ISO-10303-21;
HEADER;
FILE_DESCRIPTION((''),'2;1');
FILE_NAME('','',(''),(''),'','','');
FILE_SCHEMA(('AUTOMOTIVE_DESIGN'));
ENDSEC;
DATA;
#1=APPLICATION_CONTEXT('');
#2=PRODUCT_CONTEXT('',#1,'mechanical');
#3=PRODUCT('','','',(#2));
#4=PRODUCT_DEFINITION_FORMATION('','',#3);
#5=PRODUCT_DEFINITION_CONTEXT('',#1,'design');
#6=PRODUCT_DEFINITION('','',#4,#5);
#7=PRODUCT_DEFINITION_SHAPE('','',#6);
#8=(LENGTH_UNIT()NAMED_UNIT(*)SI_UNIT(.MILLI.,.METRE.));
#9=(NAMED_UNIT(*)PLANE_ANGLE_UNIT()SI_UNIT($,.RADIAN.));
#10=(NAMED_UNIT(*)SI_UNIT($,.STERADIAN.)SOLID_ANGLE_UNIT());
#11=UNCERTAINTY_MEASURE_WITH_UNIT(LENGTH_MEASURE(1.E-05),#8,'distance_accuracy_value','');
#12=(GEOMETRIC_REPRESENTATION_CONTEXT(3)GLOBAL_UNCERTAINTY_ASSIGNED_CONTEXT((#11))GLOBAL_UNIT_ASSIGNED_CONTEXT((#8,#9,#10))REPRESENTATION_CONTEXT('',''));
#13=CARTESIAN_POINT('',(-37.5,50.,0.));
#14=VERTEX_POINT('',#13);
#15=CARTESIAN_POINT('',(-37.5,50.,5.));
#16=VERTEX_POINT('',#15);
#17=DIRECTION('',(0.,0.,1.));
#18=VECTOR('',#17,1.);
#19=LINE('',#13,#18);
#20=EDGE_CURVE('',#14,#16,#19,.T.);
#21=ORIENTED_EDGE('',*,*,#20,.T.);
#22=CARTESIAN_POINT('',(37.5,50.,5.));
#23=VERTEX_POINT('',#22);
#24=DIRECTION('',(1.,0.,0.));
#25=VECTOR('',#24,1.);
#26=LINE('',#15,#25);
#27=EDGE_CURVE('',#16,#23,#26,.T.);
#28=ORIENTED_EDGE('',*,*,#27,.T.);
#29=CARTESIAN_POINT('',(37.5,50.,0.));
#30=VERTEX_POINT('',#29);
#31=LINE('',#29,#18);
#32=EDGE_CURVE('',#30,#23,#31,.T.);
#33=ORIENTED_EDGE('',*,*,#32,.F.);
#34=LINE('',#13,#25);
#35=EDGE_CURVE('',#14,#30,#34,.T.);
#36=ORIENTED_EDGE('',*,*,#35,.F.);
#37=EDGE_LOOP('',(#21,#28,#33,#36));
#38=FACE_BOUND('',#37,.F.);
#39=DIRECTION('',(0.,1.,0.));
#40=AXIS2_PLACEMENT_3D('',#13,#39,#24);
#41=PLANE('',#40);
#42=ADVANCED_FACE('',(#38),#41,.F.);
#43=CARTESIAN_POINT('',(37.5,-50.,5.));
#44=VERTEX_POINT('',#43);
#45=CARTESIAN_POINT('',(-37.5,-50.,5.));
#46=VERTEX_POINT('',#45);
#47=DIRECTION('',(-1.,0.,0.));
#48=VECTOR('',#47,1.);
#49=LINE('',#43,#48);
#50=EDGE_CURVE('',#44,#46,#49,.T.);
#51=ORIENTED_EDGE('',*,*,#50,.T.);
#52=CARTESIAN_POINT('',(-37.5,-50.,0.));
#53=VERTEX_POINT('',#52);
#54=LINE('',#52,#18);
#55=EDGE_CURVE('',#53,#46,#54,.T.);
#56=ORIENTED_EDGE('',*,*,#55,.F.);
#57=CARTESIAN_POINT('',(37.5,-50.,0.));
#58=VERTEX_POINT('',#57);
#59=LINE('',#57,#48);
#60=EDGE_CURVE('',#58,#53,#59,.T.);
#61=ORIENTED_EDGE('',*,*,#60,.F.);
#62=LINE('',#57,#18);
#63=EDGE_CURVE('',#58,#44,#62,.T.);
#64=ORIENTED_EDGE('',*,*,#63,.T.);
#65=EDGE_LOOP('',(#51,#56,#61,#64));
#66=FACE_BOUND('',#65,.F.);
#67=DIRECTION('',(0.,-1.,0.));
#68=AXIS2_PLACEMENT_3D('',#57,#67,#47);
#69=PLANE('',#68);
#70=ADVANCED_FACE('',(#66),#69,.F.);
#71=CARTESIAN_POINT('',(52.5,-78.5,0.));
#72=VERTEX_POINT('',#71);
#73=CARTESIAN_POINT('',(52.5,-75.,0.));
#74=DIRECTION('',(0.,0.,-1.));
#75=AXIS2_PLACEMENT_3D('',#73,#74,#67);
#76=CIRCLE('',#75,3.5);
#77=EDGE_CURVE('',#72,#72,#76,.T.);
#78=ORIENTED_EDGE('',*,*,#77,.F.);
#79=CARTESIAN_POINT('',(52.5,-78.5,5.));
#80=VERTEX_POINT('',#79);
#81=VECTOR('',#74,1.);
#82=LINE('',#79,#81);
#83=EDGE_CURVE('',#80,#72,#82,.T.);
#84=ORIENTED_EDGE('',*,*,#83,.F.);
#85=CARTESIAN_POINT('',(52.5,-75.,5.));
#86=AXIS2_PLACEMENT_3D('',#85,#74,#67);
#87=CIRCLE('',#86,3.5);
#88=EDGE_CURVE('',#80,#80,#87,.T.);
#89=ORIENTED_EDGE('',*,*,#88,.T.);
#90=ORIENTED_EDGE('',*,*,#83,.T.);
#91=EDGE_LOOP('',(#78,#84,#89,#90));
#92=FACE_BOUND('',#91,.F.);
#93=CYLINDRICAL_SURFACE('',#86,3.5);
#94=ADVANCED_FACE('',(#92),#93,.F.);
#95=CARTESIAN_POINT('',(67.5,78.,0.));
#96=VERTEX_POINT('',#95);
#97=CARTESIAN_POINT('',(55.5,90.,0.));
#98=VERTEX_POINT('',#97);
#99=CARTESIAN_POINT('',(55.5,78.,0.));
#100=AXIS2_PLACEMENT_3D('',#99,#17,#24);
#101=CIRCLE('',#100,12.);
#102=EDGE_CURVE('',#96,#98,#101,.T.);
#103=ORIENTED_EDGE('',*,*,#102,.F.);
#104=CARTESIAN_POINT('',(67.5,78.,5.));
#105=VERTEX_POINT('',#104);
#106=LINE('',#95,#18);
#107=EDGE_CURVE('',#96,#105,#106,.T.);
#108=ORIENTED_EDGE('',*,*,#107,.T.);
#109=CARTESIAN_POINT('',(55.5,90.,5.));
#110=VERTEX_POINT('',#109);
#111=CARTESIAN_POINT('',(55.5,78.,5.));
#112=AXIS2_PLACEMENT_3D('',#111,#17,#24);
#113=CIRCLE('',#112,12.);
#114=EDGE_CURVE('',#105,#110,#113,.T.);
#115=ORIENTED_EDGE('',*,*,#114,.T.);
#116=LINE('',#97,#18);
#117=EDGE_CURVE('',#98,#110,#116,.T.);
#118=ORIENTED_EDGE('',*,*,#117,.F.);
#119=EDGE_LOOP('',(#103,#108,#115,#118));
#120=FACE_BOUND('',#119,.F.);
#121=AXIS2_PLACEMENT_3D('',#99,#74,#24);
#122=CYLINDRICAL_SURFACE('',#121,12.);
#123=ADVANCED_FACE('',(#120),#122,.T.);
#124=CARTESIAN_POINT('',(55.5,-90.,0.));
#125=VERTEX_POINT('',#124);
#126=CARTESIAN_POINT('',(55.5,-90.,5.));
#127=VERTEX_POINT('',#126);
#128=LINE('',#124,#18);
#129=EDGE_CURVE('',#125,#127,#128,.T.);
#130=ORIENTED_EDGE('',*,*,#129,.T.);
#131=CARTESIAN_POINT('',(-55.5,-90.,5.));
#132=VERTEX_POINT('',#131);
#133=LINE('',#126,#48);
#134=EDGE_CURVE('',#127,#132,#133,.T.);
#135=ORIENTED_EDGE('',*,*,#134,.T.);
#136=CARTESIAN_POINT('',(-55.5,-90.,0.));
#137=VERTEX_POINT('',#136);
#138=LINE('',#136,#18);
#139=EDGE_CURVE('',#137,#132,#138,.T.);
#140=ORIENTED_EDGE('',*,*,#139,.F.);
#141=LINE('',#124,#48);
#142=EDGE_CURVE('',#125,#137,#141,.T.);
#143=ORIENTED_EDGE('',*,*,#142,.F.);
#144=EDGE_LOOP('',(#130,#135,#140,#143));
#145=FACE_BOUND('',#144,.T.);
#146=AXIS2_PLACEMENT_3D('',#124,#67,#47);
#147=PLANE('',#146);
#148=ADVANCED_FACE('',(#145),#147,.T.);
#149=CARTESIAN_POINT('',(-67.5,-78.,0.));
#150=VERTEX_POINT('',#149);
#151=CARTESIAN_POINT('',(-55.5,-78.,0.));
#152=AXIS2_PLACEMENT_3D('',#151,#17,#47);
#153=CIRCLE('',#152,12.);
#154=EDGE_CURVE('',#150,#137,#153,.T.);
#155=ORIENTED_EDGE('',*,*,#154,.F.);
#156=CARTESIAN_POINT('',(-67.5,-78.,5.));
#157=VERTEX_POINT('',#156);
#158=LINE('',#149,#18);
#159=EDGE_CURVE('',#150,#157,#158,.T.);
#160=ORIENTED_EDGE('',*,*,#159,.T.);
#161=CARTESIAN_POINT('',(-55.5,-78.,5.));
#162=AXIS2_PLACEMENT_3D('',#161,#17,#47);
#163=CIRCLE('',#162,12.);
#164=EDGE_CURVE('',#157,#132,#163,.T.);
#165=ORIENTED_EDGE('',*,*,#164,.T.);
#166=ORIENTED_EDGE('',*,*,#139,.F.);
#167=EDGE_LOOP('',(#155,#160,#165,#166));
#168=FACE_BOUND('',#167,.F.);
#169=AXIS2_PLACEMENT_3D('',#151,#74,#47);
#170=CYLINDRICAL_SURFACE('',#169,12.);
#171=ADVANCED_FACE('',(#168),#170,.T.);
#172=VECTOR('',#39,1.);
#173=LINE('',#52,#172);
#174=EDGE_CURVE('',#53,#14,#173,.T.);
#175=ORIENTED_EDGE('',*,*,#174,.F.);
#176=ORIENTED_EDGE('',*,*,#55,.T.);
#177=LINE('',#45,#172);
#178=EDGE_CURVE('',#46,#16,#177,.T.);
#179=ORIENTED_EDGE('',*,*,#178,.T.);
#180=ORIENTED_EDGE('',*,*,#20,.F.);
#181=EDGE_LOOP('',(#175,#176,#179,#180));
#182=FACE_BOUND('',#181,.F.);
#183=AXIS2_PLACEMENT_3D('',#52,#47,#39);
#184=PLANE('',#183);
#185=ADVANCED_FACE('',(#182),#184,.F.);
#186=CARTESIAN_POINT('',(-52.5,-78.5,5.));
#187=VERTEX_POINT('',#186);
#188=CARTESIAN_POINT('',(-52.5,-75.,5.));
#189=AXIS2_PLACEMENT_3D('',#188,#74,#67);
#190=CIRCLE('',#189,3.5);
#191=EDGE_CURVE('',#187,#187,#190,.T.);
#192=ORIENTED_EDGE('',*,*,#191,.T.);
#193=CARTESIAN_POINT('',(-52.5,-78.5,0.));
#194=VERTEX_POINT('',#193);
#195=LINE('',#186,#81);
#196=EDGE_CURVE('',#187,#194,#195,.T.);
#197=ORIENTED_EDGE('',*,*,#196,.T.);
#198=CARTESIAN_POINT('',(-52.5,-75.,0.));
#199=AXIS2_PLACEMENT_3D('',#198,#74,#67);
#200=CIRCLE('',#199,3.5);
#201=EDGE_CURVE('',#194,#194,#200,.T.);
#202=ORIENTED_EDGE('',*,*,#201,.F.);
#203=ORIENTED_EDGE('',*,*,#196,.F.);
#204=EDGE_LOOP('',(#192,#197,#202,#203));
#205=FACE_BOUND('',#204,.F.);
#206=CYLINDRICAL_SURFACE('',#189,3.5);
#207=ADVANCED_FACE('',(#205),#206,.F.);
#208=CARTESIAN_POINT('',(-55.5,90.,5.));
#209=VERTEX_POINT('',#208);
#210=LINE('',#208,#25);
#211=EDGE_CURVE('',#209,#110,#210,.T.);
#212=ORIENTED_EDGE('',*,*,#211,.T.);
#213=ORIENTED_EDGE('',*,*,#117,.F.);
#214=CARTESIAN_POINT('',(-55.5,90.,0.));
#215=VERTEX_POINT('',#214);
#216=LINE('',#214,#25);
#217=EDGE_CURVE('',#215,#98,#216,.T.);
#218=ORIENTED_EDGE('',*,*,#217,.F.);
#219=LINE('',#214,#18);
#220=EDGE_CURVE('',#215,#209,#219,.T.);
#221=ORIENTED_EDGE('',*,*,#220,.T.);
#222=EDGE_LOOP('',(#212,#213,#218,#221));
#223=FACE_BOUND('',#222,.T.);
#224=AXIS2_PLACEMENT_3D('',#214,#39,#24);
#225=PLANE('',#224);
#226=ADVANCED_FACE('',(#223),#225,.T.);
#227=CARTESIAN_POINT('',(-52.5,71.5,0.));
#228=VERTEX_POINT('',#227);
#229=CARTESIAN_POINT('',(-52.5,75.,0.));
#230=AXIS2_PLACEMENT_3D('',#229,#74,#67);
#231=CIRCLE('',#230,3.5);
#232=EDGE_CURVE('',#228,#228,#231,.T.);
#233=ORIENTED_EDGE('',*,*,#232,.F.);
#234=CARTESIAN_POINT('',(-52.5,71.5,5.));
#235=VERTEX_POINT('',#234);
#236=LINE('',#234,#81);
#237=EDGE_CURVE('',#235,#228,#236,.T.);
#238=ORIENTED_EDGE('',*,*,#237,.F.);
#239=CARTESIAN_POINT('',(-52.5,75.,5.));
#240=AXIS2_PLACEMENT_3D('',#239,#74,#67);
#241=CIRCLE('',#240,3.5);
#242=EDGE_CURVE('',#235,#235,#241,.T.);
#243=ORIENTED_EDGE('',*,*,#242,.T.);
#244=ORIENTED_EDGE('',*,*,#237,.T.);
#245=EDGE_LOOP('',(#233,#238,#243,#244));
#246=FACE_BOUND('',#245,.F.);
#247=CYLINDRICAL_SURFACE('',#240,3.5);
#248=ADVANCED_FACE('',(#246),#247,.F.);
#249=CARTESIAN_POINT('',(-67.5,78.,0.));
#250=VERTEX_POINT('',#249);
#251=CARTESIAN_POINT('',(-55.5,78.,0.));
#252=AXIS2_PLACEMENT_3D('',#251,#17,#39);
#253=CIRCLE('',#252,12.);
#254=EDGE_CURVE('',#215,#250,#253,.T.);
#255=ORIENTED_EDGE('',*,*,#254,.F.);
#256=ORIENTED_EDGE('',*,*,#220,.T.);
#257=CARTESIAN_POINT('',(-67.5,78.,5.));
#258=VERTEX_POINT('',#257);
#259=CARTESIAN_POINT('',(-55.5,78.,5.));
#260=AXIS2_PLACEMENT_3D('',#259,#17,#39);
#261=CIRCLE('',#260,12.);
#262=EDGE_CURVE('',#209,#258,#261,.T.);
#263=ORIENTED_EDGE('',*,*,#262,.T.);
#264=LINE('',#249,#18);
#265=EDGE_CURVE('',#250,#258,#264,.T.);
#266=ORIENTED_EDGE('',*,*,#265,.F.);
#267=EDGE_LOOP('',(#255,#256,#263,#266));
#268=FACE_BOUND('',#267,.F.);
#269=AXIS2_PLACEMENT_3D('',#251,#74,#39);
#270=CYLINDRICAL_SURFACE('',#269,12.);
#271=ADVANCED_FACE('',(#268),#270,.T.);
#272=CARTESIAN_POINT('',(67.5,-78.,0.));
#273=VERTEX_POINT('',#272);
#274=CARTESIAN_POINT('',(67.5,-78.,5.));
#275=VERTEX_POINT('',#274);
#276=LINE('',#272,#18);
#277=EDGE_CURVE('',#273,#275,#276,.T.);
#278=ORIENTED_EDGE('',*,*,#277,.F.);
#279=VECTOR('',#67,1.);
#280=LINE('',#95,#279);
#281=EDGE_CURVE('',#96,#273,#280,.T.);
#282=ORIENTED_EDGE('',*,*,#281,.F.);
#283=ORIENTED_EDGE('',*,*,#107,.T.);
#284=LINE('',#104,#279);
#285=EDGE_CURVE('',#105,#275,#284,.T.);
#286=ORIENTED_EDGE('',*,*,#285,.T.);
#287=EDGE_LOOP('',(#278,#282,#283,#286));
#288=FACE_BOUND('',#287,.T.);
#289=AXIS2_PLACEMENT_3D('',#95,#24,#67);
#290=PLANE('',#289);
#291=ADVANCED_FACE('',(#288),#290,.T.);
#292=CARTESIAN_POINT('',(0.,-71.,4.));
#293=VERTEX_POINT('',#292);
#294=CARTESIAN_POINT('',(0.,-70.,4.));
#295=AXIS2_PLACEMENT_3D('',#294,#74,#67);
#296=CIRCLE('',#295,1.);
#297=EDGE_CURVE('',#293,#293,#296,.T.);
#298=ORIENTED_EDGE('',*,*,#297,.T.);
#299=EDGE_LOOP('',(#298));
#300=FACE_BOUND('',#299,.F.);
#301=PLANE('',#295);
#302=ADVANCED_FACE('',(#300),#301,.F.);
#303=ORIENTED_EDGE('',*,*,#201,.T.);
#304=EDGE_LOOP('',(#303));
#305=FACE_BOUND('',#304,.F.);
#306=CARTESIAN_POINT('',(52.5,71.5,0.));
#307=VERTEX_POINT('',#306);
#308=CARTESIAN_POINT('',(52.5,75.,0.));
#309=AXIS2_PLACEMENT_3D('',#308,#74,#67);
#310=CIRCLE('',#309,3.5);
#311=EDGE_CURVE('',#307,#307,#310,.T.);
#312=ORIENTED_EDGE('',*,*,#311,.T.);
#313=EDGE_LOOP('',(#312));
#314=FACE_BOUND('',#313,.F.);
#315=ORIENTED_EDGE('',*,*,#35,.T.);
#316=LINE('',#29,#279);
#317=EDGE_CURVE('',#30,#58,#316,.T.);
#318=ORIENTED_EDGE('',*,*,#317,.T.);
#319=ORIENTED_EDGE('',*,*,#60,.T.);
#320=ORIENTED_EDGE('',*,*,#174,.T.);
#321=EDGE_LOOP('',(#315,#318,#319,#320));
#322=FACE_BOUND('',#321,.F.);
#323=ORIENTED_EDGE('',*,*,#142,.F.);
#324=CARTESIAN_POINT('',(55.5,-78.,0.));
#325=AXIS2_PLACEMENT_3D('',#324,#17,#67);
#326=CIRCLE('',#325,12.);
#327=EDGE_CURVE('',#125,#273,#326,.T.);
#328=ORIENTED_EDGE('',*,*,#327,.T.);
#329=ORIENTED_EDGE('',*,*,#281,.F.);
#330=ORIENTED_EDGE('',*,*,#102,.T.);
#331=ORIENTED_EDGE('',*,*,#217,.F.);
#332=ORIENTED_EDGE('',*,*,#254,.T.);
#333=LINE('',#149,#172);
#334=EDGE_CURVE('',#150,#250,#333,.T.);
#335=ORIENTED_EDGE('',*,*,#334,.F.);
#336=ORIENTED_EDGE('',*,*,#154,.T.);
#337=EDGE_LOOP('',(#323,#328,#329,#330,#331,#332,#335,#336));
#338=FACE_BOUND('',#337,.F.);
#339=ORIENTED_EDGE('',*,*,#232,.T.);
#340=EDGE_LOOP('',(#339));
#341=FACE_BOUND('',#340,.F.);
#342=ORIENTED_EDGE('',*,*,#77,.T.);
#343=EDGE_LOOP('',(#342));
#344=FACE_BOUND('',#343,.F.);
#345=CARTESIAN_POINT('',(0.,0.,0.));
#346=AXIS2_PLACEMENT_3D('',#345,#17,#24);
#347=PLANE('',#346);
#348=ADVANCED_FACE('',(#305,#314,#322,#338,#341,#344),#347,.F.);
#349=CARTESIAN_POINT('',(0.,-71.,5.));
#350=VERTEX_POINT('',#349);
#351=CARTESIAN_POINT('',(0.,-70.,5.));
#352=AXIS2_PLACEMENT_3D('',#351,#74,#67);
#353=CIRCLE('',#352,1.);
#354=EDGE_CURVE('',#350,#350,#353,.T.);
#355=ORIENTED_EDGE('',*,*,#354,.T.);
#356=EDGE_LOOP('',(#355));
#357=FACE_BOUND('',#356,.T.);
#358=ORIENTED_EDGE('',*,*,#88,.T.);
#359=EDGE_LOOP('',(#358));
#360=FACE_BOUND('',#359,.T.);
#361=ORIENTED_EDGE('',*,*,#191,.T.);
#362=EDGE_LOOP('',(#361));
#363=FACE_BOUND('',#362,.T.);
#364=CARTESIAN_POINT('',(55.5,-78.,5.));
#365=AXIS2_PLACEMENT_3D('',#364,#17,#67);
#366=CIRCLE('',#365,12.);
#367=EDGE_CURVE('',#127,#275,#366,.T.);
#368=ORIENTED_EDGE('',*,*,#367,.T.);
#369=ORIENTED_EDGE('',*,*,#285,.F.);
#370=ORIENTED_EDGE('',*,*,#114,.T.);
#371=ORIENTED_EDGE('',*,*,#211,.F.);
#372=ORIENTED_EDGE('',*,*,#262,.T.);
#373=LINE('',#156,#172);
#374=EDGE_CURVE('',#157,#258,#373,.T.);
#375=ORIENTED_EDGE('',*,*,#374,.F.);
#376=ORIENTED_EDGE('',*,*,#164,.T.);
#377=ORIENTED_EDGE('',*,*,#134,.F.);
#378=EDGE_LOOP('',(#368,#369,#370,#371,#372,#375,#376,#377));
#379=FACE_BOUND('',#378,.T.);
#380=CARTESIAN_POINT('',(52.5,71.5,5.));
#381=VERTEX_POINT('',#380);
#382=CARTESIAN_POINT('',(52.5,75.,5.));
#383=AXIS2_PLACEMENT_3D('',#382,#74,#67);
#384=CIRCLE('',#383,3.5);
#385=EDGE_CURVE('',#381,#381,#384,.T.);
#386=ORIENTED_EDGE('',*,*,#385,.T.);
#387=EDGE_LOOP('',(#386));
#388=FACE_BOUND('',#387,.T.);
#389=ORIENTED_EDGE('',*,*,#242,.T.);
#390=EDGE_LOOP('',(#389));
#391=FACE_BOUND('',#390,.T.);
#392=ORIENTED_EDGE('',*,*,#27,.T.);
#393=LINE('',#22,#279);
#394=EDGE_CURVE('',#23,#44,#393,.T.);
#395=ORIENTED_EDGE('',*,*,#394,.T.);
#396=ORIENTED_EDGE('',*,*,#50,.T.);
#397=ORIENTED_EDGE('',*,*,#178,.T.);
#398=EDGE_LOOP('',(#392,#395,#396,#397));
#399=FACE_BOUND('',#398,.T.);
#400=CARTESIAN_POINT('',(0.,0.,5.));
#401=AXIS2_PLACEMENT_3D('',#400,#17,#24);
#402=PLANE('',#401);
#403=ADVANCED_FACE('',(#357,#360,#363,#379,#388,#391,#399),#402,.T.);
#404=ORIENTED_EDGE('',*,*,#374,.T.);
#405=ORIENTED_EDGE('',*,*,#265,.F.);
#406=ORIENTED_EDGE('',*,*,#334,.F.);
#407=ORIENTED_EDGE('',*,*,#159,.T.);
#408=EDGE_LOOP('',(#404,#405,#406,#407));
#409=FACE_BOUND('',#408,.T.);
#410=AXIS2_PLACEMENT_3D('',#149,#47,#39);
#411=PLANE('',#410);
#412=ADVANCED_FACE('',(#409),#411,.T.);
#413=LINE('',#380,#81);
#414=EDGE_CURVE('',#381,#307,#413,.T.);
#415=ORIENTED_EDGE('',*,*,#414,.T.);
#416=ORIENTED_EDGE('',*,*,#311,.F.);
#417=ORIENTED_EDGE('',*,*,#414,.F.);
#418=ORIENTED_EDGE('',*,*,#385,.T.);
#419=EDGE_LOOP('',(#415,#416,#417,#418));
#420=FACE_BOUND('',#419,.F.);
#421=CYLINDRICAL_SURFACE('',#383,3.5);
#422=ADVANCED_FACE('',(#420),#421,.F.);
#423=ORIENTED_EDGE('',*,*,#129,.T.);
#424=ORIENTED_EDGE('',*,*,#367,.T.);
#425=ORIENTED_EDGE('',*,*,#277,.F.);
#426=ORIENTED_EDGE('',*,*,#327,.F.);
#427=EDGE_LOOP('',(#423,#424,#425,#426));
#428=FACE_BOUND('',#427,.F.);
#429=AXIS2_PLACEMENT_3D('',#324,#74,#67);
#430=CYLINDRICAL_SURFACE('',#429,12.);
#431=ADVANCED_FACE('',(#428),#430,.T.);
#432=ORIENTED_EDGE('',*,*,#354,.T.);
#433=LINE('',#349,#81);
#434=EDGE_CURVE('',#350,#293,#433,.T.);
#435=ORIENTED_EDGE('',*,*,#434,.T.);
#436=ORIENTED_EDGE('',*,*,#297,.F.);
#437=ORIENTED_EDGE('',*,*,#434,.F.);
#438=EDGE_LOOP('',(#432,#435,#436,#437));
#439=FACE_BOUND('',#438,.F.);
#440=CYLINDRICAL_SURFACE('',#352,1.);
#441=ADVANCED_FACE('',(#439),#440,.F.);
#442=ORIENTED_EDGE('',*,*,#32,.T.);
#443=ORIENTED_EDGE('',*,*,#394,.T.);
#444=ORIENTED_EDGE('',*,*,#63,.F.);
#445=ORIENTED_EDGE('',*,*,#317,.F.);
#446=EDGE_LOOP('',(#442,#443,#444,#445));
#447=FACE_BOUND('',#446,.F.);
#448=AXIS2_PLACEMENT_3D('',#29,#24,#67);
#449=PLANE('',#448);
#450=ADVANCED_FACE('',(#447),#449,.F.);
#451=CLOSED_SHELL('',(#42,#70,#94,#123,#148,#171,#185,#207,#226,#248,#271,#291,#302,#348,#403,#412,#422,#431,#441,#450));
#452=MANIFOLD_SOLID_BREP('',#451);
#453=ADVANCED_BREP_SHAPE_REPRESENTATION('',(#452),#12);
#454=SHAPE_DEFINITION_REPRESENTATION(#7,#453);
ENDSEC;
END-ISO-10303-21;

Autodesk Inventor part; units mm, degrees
ref_plane "YZ Plane" through (0, 0, 0) normal (1, 0, 0) x (0, 1, 0)
ref_plane "XZ Plane" through (0, 0, 0) normal (0, 1, 0) x (-1, 0, 0)
ref_plane "XY Plane" through (0, 0, 0) normal (0, 0, 1) x (1, 0, 0)
sketch "Sketch1" plane through (0, 0, 0) normal (0, 0, 1) x (1, 0, 0)
  line L0 (-55.5, 90) -> (55.5, 90)
  line L1 (67.5, 78) -> (67.5, -78)
  line L2 (55.5, -90) -> (-55.5, -90)
  line L3 (-67.5, -78) -> (-67.5, 78)
  line L4 (-37.5, 50) -> (37.5, 50)
  line L5 (37.5, 50) -> (37.5, -50)
  line L6 (37.5, -50) -> (-37.5, -50)
  line L7 (-37.5, -50) -> (-37.5, 50)
  arc A0 (-55.5, 90) -> (-67.5, 78) centre (-55.5, 78) ccw
  arc A1 (67.5, 78) -> (55.5, 90) centre (55.5, 78) ccw
  arc A2 (55.5, -90) -> (67.5, -78) centre (55.5, -78) ccw
  arc A3 (-67.5, -78) -> (-55.5, -90) centre (-55.5, -78) ccw
  point P0 (0, 0)
  point P1 (-67.5, 90)
  point P2 (67.5, -90)
  point P3 (67.5, 90)
  point P4 (-67.5, -90)
  dimension "d0" = 180
  dimension "d2" = 100
  dimension "d3" = 40
  dimension "d4" = 40
  dimension "d7" = 30
  dimension "d8" = 30
  dimension "d10" = 75
  dimension "d11" = 12
  dimension "d21" = 37.5
  dimension "d22" = 50
extrude "Extrusion1" add sketch "Sketch1" along normal blind 5
sketch "Sketch3" plane through (0, 0, 5) normal (0, 0, 1) x (1, 0, 0)
  line L0 (55.5, 90) -> (-55.5, 90) construction
  line L1 (0, 90) -> (0, -90) construction
  line L2 (-55.5, -90) -> (55.5, -90) construction
  line L3 (-67.5, 78) -> (-67.5, -78) construction
  line L4 (-67.5, 0) -> (67.5, 0) construction
  line L5 (67.5, -78) -> (67.5, 78) construction
  point P0 (0, 0)
  point P1 (-52.5, 75)
  point P2 (52.5, 75)
  point P3 (52.5, -75)
  point P4 (-52.5, -75)
  dimension "d12" = 15
  dimension "d13" = 15
hole "Hole1" at (-52.5, 75, 5) at (52.5, 75, 5) at (52.5, -75, 5) at (-52.5, -75, 5) direction (0, 0, -1) diameter 7 end through all
sketch "Sketch4" plane through (0, 0, 5) normal (0, 0, 1) x (1, 0, 0)
  line L0 (-55.5, -90) -> (55.5, -90) projected
  line L1 (67.5, -78) -> (67.5, 78) projected
  point P0 (0, 0)
  point P1 (0, -70)
  dimension "d23" = 20
  dimension "d24" = 67.5
hole "Hole2" at (0, -70, 5) direction (0, 0, -1) diameter 2 depth 1
equation "\"d3\" = d4"
equation "\"d8\" = d7"
equation "\"d21\" = 0.5 * d10"
equation "\"d22\" = 0.5 * d2"
properties part number "TapaBC" material "MDF Medium Density Fiberboard"
